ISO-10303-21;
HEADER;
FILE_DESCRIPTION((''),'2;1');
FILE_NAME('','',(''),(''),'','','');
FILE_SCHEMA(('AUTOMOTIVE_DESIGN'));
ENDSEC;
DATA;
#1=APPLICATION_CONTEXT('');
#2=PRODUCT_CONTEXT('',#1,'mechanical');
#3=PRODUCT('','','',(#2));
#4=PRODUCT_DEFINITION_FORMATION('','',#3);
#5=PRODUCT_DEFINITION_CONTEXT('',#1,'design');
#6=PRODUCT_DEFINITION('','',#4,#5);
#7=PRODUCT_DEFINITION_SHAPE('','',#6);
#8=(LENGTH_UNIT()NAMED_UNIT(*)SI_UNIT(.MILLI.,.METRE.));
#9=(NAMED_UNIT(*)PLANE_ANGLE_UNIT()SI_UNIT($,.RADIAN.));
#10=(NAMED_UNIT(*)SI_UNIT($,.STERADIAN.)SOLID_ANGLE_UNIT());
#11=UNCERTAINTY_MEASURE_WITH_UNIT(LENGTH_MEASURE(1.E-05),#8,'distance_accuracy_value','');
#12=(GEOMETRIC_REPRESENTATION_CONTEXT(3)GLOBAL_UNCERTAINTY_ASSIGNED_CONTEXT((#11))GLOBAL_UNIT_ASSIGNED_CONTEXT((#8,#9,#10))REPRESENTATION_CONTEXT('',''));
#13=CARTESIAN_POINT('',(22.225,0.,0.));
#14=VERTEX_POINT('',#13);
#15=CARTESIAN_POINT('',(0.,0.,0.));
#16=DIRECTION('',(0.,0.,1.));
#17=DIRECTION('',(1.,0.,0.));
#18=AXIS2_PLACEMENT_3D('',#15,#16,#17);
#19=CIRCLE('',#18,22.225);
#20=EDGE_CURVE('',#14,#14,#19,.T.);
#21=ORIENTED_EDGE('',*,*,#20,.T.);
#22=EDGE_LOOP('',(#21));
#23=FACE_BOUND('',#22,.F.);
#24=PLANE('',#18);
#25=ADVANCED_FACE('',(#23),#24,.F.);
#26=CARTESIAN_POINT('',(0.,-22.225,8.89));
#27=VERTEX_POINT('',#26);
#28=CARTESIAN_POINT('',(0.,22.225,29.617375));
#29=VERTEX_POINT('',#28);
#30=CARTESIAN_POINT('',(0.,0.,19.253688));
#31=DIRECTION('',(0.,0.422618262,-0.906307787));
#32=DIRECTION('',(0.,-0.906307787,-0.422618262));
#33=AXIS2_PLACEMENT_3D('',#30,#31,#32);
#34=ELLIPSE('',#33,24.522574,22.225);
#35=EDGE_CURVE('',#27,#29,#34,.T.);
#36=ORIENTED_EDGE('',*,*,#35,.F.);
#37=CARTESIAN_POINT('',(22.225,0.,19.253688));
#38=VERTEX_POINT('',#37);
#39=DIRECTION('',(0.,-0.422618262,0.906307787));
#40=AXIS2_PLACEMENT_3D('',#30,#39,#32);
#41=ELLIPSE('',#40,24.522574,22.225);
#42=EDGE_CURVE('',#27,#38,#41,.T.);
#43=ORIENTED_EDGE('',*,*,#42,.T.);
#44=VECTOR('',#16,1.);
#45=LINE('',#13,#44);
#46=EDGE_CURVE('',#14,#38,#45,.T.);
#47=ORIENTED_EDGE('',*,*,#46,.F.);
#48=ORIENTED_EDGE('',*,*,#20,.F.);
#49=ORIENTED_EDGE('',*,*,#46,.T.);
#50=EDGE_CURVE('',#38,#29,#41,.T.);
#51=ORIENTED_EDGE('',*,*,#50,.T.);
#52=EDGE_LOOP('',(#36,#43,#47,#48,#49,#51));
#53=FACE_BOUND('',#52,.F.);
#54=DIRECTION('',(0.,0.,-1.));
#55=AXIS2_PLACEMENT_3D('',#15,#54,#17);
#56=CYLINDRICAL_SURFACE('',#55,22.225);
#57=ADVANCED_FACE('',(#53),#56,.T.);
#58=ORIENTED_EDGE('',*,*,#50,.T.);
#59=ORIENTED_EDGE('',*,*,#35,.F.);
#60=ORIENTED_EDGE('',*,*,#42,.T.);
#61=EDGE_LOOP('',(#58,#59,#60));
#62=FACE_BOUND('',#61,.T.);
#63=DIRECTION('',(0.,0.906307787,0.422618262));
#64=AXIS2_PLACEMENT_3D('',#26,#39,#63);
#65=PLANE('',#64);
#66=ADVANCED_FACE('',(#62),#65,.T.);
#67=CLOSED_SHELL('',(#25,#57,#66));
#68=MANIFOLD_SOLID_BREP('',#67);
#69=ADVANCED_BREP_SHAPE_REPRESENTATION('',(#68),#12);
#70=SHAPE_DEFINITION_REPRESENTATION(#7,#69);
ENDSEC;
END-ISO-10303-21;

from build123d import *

# Parameters (mm, degrees)
F0_R          = 22.225
F1_DEPTH      = 38.1
F3_DEPTH      = 22.226
F3_DEPTH_BACK = 22.226


with BuildPart() as f1:
    # F0 (on Top) → F1 (new body)
    with BuildSketch(Plane.XY):
        Circle(F0_R)
    extrude(amount=F1_DEPTH)

    # F2 (on Right) → F3 (cut, two sides)
    with BuildSketch(Plane.YZ) as f3_sk:
        Polygon((-22.225, 49.2613017559), (-22.225, 8.89), (64.3515360055, 49.2613017559), align=None)
    extrude(amount=-F3_DEPTH, mode=Mode.SUBTRACT)
    extrude(f3_sk.sketch, amount=F3_DEPTH_BACK, mode=Mode.SUBTRACT)


solid = f1.part
